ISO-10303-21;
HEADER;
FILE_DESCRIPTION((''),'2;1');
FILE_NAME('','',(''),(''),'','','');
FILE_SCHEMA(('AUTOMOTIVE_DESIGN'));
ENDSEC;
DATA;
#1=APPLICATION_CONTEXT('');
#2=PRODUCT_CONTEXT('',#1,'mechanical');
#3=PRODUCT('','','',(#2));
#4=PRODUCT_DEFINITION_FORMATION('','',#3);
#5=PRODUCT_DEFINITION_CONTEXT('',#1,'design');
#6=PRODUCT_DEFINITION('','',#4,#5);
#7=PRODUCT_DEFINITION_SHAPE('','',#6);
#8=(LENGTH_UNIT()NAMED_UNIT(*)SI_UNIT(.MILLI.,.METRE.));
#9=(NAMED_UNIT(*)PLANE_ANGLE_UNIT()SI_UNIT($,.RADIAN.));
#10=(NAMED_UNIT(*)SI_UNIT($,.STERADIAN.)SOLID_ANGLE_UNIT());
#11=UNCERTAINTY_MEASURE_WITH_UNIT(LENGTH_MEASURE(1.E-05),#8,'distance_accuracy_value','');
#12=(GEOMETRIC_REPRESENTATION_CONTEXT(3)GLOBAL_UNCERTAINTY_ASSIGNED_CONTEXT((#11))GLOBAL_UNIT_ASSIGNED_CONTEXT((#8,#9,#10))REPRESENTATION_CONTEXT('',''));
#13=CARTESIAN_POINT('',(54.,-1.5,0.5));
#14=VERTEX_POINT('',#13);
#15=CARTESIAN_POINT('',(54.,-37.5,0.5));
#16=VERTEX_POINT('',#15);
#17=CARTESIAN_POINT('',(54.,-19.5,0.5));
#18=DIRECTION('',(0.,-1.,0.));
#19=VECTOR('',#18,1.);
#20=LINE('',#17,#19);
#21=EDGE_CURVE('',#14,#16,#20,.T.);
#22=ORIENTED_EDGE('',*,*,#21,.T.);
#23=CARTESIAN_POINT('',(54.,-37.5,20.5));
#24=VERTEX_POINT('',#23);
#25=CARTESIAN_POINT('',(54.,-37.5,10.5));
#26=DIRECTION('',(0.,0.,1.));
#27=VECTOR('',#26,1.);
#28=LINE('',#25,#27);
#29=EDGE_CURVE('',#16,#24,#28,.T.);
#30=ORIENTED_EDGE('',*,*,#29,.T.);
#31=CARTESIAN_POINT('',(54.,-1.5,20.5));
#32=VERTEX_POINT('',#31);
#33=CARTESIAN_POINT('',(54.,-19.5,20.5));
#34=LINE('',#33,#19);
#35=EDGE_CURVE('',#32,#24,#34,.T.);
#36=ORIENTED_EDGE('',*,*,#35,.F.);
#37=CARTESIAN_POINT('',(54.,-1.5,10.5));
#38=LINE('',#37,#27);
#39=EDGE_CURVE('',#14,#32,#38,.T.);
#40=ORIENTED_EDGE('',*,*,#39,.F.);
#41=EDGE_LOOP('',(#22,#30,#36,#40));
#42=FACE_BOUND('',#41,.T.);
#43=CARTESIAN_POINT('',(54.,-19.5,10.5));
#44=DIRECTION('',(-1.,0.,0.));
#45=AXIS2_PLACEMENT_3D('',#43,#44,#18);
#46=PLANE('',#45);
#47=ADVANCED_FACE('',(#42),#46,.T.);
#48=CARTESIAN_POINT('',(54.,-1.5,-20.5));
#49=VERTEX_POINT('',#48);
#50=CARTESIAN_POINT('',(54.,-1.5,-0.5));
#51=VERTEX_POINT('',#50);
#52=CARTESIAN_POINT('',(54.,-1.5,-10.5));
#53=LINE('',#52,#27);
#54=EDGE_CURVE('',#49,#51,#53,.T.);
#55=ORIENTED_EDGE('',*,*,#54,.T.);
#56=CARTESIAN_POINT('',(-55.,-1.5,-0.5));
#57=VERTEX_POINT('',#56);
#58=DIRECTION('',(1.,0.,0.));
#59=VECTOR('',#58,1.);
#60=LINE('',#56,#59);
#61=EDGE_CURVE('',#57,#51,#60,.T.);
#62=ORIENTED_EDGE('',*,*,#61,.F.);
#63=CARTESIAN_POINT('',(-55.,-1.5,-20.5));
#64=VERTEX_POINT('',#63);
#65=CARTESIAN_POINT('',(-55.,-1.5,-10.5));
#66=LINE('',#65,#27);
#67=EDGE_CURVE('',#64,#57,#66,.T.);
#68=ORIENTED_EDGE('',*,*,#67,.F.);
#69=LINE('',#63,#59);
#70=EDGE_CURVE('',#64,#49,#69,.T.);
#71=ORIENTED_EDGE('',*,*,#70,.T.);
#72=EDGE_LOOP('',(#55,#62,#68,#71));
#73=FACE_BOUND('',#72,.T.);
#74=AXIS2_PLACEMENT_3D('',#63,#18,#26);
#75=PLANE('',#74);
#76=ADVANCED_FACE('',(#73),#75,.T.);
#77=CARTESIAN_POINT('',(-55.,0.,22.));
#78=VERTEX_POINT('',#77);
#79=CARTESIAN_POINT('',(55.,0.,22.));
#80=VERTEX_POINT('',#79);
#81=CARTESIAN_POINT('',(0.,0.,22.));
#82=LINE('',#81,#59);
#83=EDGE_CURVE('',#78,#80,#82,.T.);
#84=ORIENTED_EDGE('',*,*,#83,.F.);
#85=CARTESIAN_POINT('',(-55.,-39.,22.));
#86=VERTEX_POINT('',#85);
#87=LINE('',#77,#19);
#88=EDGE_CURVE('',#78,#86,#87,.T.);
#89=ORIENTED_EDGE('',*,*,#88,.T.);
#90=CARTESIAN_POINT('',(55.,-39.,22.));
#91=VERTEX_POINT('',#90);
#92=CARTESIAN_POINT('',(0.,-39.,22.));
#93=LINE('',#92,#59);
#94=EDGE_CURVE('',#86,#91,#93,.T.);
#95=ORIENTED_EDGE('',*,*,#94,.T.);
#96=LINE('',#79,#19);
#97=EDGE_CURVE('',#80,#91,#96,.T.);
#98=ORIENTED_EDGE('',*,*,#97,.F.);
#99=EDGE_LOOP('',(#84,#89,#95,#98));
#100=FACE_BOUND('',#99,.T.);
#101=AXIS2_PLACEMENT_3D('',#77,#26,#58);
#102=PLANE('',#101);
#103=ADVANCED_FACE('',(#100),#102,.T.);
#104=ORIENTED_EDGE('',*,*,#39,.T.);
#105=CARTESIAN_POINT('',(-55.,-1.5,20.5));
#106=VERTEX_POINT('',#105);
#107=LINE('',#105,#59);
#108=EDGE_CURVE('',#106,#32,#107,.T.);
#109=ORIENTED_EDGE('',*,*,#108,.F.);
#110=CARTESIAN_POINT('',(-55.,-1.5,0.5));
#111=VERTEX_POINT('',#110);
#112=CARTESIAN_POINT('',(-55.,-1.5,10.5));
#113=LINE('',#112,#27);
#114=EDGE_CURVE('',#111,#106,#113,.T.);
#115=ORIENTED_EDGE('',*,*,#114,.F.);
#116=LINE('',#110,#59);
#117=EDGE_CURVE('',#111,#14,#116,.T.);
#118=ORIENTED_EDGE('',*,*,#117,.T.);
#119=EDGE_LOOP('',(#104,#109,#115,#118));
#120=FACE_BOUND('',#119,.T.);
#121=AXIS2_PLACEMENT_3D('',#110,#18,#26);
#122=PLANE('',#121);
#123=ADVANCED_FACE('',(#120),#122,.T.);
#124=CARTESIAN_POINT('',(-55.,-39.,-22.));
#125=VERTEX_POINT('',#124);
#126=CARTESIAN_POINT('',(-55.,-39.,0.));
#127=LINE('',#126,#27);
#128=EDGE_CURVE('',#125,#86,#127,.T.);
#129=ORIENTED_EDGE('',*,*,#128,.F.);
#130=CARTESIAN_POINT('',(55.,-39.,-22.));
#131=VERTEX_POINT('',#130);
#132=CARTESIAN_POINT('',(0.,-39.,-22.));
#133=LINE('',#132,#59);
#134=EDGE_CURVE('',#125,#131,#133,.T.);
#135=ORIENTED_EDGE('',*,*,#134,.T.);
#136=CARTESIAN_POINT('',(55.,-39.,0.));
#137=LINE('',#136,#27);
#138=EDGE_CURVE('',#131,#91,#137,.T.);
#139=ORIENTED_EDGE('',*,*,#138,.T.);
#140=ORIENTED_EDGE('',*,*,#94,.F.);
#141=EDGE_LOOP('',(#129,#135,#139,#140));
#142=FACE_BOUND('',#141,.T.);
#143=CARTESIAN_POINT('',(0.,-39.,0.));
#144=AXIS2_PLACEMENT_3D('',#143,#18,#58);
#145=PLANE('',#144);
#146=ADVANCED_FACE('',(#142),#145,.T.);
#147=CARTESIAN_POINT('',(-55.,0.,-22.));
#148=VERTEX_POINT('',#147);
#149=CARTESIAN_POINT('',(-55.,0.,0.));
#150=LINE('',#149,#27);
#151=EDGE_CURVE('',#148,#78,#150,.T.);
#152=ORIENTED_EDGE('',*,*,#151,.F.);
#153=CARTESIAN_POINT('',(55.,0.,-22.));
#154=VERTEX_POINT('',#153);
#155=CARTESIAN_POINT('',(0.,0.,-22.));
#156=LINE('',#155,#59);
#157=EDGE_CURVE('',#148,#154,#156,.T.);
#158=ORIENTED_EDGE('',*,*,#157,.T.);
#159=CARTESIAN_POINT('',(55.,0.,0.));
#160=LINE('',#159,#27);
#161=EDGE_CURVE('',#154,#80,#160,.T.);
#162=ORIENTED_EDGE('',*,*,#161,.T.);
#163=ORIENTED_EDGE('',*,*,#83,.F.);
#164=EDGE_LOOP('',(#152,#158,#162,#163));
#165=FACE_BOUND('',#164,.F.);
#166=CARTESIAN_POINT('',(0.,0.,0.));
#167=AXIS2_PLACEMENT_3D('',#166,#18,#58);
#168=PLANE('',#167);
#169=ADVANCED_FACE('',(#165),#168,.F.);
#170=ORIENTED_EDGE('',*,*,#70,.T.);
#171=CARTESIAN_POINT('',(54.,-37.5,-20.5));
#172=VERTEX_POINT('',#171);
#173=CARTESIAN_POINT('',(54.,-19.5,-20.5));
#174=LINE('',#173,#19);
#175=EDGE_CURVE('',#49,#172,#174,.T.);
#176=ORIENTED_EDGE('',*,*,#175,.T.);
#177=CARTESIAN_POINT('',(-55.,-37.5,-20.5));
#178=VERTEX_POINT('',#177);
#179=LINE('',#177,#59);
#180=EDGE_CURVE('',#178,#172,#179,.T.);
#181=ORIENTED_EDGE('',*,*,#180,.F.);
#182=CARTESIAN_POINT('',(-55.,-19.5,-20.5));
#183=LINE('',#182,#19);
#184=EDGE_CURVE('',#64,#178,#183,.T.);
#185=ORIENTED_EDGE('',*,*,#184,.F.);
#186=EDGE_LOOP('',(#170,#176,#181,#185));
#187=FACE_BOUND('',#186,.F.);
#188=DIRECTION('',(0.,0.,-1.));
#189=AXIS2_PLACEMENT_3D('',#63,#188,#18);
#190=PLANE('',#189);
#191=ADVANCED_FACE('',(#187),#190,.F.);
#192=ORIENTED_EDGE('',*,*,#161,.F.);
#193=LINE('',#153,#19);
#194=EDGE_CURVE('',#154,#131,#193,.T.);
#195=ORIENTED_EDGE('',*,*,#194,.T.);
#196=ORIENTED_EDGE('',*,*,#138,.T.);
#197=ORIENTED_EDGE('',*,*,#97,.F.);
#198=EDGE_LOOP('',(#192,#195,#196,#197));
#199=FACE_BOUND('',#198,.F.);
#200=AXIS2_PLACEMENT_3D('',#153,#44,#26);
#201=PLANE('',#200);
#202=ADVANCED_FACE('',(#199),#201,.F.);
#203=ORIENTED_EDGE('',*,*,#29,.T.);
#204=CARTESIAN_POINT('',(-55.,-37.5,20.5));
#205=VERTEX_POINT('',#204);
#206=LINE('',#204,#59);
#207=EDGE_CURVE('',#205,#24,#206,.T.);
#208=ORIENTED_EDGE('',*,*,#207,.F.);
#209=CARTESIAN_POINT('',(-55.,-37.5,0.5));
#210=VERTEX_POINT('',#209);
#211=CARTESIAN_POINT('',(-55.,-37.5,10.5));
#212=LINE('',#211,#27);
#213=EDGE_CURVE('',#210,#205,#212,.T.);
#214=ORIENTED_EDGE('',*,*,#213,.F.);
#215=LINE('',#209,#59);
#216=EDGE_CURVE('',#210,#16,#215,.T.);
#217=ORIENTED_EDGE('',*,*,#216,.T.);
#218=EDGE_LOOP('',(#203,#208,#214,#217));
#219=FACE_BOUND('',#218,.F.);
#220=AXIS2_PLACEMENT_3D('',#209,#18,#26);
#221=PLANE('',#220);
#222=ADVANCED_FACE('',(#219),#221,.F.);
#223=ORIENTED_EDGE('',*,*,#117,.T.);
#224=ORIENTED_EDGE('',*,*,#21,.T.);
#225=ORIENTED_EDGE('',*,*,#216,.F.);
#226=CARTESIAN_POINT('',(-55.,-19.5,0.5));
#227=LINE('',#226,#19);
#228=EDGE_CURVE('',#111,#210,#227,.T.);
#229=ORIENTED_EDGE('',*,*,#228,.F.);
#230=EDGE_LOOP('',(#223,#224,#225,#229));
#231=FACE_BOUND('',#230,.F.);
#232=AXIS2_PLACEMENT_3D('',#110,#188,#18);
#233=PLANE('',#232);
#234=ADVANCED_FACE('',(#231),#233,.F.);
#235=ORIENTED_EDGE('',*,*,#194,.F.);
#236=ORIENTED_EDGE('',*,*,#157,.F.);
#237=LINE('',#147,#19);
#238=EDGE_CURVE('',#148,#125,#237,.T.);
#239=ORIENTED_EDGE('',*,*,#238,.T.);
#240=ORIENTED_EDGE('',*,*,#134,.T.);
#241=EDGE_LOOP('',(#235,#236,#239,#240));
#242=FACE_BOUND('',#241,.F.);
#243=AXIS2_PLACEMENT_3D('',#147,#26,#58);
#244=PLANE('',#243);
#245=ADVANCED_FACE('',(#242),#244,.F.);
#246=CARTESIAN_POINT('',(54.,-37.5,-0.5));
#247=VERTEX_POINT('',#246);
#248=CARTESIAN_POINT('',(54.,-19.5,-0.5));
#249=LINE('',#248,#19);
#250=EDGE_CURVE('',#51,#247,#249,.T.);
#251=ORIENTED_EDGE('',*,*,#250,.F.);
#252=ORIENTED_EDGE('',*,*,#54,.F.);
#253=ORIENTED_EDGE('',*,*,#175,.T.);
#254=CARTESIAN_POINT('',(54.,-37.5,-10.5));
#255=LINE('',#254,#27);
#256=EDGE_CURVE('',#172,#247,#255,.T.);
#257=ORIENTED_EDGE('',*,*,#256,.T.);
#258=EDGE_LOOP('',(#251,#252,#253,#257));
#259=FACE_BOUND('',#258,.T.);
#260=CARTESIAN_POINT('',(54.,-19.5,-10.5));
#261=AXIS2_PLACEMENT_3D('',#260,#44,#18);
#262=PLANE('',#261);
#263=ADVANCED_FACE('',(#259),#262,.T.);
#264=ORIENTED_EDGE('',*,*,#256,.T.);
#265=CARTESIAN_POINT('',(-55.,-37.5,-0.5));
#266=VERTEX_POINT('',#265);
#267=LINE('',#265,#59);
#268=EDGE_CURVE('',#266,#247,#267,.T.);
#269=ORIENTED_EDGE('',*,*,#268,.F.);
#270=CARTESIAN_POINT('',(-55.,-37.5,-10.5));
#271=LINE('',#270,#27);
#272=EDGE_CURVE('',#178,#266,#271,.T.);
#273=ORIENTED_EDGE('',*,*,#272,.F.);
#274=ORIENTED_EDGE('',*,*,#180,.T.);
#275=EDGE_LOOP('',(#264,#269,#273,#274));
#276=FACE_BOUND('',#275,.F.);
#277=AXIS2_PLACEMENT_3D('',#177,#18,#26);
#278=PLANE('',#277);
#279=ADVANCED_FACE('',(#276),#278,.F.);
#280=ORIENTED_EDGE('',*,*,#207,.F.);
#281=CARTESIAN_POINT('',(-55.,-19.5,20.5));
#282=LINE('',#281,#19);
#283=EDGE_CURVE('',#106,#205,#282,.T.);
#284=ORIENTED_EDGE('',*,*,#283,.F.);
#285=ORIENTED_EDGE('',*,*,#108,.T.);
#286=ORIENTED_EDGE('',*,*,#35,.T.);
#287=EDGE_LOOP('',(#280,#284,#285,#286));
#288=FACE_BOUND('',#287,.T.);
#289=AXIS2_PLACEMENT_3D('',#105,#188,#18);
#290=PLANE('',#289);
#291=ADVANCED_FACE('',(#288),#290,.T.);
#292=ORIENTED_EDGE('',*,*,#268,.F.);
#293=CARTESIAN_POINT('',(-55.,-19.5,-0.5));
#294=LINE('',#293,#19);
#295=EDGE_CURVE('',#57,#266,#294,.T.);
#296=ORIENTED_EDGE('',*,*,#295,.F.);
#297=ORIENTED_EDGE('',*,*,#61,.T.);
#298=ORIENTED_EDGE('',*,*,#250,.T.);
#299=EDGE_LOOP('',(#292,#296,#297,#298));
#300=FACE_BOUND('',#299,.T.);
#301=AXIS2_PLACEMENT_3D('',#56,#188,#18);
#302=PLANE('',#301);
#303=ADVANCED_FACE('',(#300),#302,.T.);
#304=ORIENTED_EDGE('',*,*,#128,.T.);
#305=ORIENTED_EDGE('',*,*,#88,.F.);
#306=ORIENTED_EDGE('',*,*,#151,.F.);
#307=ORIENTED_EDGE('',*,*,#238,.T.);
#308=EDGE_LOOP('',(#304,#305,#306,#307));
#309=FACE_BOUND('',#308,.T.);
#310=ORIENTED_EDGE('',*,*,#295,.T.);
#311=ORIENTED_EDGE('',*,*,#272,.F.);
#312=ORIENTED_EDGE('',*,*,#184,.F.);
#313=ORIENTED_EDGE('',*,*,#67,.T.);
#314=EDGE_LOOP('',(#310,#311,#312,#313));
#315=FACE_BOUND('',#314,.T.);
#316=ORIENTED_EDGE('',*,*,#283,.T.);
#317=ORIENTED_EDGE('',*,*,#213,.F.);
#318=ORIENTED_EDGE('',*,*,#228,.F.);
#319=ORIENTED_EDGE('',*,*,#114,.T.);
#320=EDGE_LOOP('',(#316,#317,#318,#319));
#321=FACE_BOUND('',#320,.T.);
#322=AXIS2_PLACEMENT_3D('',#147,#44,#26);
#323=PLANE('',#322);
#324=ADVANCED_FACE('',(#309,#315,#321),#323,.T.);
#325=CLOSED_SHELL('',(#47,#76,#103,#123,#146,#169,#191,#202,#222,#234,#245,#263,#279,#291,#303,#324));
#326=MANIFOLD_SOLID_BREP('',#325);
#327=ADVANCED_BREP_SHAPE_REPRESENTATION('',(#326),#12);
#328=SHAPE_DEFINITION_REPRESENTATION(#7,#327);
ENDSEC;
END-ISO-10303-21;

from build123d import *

# Parameters (mm, degrees)
F0_W     = 110
F0_H     = 44
F1_DEPTH = 39
F2_W     = 36
F2_H     = 20
F3_DEPTH = 109


with BuildPart() as f1:
    # F0 (on Front) → F1 (new body)
    with BuildSketch(Plane.XZ):
        Rectangle(F0_W, F0_H)
    extrude(amount=F1_DEPTH)

    # F2 (on face) → F3 (cut)
    with BuildSketch(Plane(origin=(-55, 0, 0), x_dir=(0, -1, 0), z_dir=(-1, 0, 0))):
        with Locations((19.5, 10.5)):
            Rectangle(F2_W, F2_H)
        with Locations((19.5, -10.5)):
            Rectangle(F2_W, F2_H)
    extrude(amount=-F3_DEPTH, mode=Mode.SUBTRACT)


solid = f1.part
